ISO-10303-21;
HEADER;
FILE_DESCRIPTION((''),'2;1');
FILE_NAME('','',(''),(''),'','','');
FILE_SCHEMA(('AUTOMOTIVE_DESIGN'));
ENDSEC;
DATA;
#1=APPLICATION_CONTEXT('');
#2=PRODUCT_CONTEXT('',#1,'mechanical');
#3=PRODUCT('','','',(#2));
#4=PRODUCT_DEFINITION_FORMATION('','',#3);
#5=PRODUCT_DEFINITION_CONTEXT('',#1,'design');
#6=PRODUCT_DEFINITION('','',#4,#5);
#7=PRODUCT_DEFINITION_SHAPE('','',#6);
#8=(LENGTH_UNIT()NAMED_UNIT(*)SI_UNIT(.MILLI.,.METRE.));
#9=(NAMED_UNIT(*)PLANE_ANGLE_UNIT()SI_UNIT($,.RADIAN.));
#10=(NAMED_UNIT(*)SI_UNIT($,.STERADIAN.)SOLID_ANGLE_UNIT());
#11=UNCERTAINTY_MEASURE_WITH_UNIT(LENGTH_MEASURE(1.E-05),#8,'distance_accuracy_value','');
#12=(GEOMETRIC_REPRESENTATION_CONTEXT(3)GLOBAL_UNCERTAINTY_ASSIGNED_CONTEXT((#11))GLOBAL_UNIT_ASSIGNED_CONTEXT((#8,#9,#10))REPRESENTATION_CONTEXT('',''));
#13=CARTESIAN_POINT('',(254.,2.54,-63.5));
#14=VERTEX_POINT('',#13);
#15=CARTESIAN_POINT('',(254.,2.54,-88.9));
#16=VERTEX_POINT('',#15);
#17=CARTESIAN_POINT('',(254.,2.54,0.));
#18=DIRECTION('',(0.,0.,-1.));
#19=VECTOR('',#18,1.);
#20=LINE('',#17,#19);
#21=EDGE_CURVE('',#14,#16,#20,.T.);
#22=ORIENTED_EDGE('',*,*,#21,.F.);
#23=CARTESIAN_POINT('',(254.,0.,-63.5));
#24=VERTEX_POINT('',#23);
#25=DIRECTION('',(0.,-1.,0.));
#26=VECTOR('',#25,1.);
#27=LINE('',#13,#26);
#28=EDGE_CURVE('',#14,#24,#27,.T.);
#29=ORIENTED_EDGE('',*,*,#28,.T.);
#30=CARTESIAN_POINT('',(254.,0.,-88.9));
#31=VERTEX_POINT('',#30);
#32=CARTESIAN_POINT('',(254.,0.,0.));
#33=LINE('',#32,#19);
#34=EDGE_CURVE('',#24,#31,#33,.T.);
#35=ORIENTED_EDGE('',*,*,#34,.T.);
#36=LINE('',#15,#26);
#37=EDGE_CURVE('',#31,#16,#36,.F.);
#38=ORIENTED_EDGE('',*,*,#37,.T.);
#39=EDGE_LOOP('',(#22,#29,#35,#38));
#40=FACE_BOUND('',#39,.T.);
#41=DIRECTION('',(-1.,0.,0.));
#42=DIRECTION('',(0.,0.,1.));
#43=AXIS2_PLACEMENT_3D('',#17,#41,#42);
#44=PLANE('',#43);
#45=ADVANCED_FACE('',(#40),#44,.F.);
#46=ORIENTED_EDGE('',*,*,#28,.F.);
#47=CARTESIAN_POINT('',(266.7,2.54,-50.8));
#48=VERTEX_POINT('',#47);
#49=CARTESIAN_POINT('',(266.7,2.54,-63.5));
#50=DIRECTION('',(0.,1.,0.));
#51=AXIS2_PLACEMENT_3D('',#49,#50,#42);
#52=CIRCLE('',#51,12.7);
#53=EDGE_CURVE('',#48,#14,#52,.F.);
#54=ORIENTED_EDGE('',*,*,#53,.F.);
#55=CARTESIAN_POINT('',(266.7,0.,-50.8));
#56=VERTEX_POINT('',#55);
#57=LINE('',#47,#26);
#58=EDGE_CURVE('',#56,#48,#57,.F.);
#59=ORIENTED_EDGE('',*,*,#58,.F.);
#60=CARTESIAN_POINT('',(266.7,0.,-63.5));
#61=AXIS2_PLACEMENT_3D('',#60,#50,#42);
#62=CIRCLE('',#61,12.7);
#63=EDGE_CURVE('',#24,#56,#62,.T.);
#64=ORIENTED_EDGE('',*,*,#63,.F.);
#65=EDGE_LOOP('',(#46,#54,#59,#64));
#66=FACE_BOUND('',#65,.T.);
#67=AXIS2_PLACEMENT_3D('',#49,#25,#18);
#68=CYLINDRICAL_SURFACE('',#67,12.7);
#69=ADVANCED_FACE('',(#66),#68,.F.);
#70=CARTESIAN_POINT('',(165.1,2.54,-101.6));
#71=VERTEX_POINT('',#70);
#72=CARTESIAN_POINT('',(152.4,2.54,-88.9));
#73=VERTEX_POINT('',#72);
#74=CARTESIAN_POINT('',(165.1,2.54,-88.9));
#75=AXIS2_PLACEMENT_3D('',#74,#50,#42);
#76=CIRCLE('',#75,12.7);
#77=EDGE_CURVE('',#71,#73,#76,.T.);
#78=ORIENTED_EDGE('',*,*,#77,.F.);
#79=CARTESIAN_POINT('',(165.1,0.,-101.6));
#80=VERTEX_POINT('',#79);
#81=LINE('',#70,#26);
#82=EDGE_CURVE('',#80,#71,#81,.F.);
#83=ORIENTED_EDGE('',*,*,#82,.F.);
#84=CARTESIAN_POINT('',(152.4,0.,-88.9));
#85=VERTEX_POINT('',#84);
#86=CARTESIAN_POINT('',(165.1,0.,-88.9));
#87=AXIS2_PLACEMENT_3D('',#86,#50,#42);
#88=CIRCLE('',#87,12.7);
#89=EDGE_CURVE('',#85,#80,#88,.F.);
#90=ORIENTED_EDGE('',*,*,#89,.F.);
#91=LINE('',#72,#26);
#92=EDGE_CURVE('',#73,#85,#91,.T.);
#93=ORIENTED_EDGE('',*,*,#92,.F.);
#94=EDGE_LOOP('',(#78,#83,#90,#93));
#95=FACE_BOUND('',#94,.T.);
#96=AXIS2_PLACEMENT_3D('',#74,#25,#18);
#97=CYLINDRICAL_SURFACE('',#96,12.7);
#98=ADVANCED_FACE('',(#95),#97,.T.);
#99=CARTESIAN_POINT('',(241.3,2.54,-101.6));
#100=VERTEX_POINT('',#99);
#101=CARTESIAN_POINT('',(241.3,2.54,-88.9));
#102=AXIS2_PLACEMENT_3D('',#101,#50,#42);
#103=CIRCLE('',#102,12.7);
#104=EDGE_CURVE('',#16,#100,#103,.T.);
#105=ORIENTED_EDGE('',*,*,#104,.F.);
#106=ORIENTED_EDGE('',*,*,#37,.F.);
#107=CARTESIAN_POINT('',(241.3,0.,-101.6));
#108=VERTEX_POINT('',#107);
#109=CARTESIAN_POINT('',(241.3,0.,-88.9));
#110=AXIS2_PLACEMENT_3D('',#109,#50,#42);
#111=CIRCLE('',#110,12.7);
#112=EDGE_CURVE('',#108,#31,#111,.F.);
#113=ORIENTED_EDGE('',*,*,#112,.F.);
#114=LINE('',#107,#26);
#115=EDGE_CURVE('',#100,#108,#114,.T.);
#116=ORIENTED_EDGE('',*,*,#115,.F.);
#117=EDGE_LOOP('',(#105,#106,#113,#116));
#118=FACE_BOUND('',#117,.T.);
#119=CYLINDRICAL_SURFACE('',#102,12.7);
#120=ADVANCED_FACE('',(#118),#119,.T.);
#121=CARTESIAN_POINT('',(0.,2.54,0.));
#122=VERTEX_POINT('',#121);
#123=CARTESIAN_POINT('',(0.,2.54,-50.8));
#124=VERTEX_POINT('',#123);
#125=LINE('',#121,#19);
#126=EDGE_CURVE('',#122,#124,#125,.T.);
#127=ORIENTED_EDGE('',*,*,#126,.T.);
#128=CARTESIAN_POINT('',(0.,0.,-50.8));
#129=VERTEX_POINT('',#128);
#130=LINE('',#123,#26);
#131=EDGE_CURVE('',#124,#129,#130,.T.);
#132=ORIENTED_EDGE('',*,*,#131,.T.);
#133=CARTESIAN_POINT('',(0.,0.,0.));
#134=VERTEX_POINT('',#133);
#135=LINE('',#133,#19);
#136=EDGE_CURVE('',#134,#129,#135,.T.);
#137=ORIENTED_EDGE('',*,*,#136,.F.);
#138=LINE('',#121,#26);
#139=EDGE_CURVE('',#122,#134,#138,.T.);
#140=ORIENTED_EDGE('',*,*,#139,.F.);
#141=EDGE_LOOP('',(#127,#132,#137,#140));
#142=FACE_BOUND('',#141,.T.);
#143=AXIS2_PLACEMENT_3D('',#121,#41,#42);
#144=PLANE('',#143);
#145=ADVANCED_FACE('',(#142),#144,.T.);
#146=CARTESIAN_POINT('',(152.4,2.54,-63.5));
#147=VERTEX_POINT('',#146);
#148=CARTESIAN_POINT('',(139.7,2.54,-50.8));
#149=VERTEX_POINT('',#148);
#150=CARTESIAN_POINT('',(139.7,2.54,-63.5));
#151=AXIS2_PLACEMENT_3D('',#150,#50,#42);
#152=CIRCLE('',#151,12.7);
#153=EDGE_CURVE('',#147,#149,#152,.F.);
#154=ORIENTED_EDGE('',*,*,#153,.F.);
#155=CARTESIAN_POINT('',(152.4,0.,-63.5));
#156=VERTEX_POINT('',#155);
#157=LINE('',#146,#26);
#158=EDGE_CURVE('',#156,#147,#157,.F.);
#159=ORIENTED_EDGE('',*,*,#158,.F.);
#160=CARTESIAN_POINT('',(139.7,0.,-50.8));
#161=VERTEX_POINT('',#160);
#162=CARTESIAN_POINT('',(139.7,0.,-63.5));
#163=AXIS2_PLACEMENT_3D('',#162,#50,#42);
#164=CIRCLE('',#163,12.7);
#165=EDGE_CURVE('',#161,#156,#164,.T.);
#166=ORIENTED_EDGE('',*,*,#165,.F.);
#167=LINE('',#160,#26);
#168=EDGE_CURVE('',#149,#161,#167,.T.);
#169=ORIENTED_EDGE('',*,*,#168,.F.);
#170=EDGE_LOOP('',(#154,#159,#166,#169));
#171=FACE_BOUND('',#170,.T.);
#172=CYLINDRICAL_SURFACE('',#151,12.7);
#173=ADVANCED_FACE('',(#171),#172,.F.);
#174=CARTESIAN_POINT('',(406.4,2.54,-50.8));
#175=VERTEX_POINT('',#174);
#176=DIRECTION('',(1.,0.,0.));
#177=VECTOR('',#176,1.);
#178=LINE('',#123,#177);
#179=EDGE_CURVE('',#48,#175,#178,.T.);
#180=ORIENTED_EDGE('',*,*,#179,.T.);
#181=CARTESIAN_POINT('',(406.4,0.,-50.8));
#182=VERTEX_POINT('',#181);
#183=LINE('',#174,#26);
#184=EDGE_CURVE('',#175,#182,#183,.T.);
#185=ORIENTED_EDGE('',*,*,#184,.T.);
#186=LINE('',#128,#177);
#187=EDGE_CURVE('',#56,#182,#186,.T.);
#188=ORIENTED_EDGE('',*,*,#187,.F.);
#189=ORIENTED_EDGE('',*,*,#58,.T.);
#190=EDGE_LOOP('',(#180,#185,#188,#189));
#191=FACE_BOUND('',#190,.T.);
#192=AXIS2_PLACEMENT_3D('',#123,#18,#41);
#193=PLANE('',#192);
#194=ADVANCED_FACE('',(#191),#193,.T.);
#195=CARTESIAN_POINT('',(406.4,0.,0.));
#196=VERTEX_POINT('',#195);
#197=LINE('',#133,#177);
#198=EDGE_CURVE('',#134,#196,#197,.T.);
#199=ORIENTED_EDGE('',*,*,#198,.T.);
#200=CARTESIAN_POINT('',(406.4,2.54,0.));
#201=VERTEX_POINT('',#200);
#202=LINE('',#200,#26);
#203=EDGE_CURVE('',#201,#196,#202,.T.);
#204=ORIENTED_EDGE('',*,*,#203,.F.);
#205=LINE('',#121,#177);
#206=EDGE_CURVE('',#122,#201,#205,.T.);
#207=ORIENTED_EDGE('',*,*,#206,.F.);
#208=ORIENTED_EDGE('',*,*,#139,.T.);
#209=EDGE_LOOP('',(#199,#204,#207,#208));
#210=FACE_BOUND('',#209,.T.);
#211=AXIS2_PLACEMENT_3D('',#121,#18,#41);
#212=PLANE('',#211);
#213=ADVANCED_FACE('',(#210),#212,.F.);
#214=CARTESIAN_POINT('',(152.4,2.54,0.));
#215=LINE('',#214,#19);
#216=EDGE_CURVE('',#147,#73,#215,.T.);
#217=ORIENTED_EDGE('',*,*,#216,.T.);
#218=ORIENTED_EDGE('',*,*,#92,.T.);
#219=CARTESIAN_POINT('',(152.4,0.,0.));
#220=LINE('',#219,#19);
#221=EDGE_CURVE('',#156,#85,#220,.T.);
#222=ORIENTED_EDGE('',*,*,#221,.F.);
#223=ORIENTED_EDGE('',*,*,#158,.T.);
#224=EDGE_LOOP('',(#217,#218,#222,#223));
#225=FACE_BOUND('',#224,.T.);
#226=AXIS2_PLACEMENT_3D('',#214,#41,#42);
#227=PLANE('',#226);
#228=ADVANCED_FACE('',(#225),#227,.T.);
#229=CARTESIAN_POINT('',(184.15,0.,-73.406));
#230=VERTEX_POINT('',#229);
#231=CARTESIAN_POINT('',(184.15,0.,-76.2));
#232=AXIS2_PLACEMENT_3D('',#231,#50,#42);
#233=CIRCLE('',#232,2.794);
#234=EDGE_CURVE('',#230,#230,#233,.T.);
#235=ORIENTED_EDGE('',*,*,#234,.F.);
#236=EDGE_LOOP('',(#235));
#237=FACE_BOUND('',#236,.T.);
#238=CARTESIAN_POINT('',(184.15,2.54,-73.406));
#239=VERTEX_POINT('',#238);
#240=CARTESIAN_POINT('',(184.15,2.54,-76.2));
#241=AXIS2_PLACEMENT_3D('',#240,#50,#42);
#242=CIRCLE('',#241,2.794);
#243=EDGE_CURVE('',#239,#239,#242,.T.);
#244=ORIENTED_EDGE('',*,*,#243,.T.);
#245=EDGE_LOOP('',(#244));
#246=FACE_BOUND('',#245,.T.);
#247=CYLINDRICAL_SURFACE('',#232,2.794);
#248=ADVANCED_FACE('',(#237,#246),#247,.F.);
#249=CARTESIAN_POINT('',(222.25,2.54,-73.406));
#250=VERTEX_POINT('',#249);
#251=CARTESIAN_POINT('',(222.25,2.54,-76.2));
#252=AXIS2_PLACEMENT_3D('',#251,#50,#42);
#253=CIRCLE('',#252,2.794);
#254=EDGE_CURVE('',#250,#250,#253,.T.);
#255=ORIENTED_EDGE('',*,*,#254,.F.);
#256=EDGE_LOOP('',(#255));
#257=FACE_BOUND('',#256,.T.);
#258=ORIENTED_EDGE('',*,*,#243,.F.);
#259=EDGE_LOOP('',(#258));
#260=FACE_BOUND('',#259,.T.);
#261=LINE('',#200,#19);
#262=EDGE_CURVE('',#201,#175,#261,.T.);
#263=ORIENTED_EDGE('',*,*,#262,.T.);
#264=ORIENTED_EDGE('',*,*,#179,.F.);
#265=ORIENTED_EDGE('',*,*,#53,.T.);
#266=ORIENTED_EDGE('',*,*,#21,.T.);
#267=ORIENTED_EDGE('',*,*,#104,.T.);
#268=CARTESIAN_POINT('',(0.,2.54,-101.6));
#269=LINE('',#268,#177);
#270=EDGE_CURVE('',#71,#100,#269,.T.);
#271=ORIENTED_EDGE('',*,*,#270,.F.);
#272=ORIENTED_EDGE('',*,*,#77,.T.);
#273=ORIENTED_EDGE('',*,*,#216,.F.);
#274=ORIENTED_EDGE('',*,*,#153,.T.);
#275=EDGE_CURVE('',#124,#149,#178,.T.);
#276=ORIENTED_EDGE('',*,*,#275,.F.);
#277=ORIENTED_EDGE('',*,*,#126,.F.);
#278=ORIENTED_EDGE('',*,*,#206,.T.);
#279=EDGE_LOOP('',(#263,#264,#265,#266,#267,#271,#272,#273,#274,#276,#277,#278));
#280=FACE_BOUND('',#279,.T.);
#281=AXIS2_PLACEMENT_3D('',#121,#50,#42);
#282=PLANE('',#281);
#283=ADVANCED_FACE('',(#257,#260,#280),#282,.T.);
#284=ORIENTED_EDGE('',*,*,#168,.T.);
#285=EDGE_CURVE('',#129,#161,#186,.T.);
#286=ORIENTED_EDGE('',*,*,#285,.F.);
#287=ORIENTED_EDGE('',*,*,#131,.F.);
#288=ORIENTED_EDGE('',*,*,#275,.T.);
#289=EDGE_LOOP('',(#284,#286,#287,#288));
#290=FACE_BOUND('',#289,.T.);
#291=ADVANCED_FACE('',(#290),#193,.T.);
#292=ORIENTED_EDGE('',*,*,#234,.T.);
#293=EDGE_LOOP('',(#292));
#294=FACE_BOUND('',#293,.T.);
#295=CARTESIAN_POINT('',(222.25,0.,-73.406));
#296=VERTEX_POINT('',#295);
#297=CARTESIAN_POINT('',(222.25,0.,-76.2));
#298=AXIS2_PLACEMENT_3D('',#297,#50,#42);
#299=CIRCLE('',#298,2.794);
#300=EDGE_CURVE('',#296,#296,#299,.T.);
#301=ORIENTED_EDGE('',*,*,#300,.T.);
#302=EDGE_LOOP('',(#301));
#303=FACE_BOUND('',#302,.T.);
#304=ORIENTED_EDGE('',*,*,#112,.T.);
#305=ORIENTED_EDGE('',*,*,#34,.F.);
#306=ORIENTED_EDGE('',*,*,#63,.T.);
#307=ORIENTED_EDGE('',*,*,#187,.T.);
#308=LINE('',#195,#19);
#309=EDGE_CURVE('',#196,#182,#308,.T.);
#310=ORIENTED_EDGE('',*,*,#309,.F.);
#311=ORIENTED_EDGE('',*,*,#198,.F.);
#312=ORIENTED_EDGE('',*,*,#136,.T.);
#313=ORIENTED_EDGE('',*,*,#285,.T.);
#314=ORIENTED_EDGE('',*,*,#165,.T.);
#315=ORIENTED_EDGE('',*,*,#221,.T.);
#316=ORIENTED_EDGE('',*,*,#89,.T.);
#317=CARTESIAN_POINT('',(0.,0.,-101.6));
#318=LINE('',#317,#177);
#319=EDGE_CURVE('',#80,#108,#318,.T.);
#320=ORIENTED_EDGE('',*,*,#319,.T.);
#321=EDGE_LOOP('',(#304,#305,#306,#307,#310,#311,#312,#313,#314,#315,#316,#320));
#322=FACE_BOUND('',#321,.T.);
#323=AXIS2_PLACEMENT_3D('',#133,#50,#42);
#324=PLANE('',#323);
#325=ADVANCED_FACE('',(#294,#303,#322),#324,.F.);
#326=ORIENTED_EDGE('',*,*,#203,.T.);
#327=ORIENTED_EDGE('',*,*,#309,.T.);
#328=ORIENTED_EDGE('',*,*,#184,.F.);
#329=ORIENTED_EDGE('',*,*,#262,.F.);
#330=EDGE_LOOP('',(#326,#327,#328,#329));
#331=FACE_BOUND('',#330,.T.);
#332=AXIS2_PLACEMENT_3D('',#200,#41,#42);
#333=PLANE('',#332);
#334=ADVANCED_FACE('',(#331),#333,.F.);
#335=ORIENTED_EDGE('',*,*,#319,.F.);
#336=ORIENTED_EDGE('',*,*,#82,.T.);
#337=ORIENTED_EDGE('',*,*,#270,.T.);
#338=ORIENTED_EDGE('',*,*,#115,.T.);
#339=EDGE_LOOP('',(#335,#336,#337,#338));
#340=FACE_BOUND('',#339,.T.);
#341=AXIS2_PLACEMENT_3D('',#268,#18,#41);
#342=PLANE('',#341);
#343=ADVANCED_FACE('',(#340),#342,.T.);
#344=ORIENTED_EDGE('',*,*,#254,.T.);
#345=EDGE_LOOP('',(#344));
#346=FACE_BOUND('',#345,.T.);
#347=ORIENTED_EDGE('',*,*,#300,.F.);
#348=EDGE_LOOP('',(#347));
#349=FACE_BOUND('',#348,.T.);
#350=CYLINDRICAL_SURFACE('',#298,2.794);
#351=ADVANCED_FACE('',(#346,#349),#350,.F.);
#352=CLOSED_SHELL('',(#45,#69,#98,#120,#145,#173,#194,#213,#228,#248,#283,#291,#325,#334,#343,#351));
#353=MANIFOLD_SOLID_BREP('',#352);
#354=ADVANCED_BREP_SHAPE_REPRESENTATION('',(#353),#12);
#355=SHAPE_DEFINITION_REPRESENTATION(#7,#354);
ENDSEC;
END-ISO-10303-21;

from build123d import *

# Parameters (mm, degrees)
SKETCH1_W           = 406.4
SKETCH1_H           = 50.8
SKETCH1_W_2         = 101.6
BOSS_EXTRUDE1_DEPTH = 2.54
SKETCH2_R           = 2.794
CUT_EXTRUDE1_DEPTH  = 2.54
FILLET1_R           = 12.7
FILLET2_R           = 12.7


with BuildPart() as part:
    # Sketch1 → Boss-Extrude1 (new body)
    with BuildSketch(Plane(origin=(0, 0, 0), x_dir=(1, 0, 0), z_dir=(0, 1, 0))):
        with Locations((203.2, 25.4)):
            Rectangle(SKETCH1_W, SKETCH1_H)
        with Locations((203.2, 76.2)):
            Rectangle(SKETCH1_W_2, SKETCH1_H)
    extrude(amount=BOSS_EXTRUDE1_DEPTH)

    # Sketch2 → Cut-Extrude1 (cut)
    with BuildSketch(Plane(origin=(0, 2.54, 0), x_dir=(1, 0, 0), z_dir=(0, 1, 0))):
        with Locations(Location((222.25, 76.2, 0), (0, 0, 270))):
            Circle(SKETCH2_R)
        with Locations(Location((184.15, 76.2, 0), (0, 0, 270))):
            Circle(SKETCH2_R)
    extrude(amount=-CUT_EXTRUDE1_DEPTH, mode=Mode.SUBTRACT)

    # Fillet1
    fillet1_edges = [part.edges().sort_by_distance(p)[0] for p in [
        (152.4, 1.27, -101.6),
        (254, 1.27, -101.6),
    ]]
    fillet(fillet1_edges, radius=FILLET1_R)

    # Fillet2
    fillet2_edges = [part.edges().sort_by_distance(p)[0] for p in [
        (152.4, 1.27, -50.8),
        (254, 1.27, -50.8),
    ]]
    fillet(fillet2_edges, radius=FILLET2_R)


solid = part.part
